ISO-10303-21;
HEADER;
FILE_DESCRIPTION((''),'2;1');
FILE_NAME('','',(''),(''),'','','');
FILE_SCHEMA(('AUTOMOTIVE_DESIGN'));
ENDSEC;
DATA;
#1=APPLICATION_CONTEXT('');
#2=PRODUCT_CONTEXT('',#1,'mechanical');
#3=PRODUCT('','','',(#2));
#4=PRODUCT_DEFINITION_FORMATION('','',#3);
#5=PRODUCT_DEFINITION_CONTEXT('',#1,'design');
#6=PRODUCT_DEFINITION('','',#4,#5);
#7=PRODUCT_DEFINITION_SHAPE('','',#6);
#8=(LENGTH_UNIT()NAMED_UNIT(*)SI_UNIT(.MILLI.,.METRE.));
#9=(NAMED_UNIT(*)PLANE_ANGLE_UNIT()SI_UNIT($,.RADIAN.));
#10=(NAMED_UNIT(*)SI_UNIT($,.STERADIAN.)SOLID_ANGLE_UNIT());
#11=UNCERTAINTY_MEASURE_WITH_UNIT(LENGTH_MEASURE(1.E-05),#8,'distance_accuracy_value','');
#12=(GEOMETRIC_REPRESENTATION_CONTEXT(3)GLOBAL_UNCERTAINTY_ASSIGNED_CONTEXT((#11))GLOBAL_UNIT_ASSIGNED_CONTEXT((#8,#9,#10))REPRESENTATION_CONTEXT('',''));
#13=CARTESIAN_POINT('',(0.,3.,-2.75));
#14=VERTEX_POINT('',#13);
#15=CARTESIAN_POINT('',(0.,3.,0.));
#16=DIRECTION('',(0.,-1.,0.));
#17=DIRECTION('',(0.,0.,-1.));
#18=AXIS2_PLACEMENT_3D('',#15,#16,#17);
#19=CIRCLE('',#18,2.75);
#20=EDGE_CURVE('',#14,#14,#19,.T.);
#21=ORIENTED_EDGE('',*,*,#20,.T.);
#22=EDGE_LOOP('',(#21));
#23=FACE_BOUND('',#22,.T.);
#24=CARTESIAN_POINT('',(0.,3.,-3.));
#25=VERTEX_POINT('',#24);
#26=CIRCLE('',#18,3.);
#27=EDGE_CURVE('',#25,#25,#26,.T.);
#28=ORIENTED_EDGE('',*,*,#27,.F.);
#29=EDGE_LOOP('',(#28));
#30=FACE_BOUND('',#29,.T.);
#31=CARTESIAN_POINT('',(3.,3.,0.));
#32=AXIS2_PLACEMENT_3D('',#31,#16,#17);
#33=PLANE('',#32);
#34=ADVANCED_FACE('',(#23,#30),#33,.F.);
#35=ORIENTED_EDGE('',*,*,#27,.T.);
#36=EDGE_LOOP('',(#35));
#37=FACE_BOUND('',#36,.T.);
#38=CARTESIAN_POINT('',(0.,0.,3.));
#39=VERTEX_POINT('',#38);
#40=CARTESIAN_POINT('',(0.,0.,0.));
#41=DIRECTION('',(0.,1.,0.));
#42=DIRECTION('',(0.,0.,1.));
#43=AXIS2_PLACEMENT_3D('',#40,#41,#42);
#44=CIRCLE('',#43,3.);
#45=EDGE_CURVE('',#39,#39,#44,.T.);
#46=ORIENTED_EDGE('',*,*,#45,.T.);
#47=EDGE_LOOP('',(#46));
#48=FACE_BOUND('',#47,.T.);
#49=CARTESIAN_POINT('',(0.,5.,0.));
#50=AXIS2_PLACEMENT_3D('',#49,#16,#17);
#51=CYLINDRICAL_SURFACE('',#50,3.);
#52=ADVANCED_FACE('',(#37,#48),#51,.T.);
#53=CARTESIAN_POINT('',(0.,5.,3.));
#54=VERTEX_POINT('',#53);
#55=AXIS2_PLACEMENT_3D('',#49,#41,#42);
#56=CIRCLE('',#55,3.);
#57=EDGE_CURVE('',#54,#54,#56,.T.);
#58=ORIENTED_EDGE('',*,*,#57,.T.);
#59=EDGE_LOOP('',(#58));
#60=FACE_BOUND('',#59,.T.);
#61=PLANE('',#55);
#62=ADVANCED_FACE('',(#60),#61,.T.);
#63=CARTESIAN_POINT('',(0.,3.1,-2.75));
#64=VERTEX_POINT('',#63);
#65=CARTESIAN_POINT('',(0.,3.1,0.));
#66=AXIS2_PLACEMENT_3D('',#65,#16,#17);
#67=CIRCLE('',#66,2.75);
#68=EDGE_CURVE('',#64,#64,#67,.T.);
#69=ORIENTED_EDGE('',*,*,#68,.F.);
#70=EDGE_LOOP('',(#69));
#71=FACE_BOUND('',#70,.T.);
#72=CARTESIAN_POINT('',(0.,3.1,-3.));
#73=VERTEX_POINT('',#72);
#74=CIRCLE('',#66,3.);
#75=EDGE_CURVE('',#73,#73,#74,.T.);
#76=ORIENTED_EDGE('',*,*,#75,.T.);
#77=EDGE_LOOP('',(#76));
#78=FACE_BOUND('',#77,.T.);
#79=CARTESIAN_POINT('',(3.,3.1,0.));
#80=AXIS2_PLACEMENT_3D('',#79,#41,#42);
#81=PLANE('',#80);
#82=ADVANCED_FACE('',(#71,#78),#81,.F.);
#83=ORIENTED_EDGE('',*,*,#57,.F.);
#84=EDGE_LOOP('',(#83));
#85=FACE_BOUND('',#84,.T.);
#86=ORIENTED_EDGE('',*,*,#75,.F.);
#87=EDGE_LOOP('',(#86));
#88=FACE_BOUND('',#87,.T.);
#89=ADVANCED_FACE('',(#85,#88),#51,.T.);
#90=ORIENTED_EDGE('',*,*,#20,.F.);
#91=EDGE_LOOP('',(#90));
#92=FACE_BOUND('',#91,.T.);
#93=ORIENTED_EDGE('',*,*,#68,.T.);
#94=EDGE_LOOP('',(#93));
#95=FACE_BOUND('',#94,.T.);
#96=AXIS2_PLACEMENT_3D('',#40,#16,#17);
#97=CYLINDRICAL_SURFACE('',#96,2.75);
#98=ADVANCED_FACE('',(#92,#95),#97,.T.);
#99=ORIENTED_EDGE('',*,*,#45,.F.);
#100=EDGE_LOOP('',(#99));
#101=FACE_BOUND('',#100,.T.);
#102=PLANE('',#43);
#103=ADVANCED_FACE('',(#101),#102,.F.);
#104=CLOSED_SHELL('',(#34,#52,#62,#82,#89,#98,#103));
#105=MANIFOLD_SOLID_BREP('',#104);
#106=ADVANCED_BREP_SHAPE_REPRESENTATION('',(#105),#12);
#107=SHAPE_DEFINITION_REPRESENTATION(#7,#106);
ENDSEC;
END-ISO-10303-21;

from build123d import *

# Parameters (mm, degrees)
SKETCH1_R           = 3
BOSS_EXTRUDE1_DEPTH = 5
SKETCH2_W           = 0.25
SKETCH2_H           = 0.1


with BuildPart() as part:
    # Sketch1 → Boss-Extrude1 (new body)
    with BuildSketch(Plane(origin=(0, 0, 0), x_dir=(1, 0, 0), z_dir=(0, 1, 0))):
        with Locations(Location((0, 0, 0), (0, 0, 270))):
            Circle(SKETCH1_R)
    extrude(amount=BOSS_EXTRUDE1_DEPTH)

    # Sketch2 → Cut-Revolve1 (revolve, cut)
    with BuildSketch(Plane.XY, mode=Mode.PRIVATE) as cut_revolve1_sk:
        with Locations((2.875, 3.05)):
            Rectangle(SKETCH2_W, SKETCH2_H)
    revolve(cut_revolve1_sk.sketch.rotate(Axis((0, 0, 0), (0, 1, 0)), 90), axis=Axis((0, 0, 0), (0, 1, 0)), mode=Mode.SUBTRACT)


solid = part.part
